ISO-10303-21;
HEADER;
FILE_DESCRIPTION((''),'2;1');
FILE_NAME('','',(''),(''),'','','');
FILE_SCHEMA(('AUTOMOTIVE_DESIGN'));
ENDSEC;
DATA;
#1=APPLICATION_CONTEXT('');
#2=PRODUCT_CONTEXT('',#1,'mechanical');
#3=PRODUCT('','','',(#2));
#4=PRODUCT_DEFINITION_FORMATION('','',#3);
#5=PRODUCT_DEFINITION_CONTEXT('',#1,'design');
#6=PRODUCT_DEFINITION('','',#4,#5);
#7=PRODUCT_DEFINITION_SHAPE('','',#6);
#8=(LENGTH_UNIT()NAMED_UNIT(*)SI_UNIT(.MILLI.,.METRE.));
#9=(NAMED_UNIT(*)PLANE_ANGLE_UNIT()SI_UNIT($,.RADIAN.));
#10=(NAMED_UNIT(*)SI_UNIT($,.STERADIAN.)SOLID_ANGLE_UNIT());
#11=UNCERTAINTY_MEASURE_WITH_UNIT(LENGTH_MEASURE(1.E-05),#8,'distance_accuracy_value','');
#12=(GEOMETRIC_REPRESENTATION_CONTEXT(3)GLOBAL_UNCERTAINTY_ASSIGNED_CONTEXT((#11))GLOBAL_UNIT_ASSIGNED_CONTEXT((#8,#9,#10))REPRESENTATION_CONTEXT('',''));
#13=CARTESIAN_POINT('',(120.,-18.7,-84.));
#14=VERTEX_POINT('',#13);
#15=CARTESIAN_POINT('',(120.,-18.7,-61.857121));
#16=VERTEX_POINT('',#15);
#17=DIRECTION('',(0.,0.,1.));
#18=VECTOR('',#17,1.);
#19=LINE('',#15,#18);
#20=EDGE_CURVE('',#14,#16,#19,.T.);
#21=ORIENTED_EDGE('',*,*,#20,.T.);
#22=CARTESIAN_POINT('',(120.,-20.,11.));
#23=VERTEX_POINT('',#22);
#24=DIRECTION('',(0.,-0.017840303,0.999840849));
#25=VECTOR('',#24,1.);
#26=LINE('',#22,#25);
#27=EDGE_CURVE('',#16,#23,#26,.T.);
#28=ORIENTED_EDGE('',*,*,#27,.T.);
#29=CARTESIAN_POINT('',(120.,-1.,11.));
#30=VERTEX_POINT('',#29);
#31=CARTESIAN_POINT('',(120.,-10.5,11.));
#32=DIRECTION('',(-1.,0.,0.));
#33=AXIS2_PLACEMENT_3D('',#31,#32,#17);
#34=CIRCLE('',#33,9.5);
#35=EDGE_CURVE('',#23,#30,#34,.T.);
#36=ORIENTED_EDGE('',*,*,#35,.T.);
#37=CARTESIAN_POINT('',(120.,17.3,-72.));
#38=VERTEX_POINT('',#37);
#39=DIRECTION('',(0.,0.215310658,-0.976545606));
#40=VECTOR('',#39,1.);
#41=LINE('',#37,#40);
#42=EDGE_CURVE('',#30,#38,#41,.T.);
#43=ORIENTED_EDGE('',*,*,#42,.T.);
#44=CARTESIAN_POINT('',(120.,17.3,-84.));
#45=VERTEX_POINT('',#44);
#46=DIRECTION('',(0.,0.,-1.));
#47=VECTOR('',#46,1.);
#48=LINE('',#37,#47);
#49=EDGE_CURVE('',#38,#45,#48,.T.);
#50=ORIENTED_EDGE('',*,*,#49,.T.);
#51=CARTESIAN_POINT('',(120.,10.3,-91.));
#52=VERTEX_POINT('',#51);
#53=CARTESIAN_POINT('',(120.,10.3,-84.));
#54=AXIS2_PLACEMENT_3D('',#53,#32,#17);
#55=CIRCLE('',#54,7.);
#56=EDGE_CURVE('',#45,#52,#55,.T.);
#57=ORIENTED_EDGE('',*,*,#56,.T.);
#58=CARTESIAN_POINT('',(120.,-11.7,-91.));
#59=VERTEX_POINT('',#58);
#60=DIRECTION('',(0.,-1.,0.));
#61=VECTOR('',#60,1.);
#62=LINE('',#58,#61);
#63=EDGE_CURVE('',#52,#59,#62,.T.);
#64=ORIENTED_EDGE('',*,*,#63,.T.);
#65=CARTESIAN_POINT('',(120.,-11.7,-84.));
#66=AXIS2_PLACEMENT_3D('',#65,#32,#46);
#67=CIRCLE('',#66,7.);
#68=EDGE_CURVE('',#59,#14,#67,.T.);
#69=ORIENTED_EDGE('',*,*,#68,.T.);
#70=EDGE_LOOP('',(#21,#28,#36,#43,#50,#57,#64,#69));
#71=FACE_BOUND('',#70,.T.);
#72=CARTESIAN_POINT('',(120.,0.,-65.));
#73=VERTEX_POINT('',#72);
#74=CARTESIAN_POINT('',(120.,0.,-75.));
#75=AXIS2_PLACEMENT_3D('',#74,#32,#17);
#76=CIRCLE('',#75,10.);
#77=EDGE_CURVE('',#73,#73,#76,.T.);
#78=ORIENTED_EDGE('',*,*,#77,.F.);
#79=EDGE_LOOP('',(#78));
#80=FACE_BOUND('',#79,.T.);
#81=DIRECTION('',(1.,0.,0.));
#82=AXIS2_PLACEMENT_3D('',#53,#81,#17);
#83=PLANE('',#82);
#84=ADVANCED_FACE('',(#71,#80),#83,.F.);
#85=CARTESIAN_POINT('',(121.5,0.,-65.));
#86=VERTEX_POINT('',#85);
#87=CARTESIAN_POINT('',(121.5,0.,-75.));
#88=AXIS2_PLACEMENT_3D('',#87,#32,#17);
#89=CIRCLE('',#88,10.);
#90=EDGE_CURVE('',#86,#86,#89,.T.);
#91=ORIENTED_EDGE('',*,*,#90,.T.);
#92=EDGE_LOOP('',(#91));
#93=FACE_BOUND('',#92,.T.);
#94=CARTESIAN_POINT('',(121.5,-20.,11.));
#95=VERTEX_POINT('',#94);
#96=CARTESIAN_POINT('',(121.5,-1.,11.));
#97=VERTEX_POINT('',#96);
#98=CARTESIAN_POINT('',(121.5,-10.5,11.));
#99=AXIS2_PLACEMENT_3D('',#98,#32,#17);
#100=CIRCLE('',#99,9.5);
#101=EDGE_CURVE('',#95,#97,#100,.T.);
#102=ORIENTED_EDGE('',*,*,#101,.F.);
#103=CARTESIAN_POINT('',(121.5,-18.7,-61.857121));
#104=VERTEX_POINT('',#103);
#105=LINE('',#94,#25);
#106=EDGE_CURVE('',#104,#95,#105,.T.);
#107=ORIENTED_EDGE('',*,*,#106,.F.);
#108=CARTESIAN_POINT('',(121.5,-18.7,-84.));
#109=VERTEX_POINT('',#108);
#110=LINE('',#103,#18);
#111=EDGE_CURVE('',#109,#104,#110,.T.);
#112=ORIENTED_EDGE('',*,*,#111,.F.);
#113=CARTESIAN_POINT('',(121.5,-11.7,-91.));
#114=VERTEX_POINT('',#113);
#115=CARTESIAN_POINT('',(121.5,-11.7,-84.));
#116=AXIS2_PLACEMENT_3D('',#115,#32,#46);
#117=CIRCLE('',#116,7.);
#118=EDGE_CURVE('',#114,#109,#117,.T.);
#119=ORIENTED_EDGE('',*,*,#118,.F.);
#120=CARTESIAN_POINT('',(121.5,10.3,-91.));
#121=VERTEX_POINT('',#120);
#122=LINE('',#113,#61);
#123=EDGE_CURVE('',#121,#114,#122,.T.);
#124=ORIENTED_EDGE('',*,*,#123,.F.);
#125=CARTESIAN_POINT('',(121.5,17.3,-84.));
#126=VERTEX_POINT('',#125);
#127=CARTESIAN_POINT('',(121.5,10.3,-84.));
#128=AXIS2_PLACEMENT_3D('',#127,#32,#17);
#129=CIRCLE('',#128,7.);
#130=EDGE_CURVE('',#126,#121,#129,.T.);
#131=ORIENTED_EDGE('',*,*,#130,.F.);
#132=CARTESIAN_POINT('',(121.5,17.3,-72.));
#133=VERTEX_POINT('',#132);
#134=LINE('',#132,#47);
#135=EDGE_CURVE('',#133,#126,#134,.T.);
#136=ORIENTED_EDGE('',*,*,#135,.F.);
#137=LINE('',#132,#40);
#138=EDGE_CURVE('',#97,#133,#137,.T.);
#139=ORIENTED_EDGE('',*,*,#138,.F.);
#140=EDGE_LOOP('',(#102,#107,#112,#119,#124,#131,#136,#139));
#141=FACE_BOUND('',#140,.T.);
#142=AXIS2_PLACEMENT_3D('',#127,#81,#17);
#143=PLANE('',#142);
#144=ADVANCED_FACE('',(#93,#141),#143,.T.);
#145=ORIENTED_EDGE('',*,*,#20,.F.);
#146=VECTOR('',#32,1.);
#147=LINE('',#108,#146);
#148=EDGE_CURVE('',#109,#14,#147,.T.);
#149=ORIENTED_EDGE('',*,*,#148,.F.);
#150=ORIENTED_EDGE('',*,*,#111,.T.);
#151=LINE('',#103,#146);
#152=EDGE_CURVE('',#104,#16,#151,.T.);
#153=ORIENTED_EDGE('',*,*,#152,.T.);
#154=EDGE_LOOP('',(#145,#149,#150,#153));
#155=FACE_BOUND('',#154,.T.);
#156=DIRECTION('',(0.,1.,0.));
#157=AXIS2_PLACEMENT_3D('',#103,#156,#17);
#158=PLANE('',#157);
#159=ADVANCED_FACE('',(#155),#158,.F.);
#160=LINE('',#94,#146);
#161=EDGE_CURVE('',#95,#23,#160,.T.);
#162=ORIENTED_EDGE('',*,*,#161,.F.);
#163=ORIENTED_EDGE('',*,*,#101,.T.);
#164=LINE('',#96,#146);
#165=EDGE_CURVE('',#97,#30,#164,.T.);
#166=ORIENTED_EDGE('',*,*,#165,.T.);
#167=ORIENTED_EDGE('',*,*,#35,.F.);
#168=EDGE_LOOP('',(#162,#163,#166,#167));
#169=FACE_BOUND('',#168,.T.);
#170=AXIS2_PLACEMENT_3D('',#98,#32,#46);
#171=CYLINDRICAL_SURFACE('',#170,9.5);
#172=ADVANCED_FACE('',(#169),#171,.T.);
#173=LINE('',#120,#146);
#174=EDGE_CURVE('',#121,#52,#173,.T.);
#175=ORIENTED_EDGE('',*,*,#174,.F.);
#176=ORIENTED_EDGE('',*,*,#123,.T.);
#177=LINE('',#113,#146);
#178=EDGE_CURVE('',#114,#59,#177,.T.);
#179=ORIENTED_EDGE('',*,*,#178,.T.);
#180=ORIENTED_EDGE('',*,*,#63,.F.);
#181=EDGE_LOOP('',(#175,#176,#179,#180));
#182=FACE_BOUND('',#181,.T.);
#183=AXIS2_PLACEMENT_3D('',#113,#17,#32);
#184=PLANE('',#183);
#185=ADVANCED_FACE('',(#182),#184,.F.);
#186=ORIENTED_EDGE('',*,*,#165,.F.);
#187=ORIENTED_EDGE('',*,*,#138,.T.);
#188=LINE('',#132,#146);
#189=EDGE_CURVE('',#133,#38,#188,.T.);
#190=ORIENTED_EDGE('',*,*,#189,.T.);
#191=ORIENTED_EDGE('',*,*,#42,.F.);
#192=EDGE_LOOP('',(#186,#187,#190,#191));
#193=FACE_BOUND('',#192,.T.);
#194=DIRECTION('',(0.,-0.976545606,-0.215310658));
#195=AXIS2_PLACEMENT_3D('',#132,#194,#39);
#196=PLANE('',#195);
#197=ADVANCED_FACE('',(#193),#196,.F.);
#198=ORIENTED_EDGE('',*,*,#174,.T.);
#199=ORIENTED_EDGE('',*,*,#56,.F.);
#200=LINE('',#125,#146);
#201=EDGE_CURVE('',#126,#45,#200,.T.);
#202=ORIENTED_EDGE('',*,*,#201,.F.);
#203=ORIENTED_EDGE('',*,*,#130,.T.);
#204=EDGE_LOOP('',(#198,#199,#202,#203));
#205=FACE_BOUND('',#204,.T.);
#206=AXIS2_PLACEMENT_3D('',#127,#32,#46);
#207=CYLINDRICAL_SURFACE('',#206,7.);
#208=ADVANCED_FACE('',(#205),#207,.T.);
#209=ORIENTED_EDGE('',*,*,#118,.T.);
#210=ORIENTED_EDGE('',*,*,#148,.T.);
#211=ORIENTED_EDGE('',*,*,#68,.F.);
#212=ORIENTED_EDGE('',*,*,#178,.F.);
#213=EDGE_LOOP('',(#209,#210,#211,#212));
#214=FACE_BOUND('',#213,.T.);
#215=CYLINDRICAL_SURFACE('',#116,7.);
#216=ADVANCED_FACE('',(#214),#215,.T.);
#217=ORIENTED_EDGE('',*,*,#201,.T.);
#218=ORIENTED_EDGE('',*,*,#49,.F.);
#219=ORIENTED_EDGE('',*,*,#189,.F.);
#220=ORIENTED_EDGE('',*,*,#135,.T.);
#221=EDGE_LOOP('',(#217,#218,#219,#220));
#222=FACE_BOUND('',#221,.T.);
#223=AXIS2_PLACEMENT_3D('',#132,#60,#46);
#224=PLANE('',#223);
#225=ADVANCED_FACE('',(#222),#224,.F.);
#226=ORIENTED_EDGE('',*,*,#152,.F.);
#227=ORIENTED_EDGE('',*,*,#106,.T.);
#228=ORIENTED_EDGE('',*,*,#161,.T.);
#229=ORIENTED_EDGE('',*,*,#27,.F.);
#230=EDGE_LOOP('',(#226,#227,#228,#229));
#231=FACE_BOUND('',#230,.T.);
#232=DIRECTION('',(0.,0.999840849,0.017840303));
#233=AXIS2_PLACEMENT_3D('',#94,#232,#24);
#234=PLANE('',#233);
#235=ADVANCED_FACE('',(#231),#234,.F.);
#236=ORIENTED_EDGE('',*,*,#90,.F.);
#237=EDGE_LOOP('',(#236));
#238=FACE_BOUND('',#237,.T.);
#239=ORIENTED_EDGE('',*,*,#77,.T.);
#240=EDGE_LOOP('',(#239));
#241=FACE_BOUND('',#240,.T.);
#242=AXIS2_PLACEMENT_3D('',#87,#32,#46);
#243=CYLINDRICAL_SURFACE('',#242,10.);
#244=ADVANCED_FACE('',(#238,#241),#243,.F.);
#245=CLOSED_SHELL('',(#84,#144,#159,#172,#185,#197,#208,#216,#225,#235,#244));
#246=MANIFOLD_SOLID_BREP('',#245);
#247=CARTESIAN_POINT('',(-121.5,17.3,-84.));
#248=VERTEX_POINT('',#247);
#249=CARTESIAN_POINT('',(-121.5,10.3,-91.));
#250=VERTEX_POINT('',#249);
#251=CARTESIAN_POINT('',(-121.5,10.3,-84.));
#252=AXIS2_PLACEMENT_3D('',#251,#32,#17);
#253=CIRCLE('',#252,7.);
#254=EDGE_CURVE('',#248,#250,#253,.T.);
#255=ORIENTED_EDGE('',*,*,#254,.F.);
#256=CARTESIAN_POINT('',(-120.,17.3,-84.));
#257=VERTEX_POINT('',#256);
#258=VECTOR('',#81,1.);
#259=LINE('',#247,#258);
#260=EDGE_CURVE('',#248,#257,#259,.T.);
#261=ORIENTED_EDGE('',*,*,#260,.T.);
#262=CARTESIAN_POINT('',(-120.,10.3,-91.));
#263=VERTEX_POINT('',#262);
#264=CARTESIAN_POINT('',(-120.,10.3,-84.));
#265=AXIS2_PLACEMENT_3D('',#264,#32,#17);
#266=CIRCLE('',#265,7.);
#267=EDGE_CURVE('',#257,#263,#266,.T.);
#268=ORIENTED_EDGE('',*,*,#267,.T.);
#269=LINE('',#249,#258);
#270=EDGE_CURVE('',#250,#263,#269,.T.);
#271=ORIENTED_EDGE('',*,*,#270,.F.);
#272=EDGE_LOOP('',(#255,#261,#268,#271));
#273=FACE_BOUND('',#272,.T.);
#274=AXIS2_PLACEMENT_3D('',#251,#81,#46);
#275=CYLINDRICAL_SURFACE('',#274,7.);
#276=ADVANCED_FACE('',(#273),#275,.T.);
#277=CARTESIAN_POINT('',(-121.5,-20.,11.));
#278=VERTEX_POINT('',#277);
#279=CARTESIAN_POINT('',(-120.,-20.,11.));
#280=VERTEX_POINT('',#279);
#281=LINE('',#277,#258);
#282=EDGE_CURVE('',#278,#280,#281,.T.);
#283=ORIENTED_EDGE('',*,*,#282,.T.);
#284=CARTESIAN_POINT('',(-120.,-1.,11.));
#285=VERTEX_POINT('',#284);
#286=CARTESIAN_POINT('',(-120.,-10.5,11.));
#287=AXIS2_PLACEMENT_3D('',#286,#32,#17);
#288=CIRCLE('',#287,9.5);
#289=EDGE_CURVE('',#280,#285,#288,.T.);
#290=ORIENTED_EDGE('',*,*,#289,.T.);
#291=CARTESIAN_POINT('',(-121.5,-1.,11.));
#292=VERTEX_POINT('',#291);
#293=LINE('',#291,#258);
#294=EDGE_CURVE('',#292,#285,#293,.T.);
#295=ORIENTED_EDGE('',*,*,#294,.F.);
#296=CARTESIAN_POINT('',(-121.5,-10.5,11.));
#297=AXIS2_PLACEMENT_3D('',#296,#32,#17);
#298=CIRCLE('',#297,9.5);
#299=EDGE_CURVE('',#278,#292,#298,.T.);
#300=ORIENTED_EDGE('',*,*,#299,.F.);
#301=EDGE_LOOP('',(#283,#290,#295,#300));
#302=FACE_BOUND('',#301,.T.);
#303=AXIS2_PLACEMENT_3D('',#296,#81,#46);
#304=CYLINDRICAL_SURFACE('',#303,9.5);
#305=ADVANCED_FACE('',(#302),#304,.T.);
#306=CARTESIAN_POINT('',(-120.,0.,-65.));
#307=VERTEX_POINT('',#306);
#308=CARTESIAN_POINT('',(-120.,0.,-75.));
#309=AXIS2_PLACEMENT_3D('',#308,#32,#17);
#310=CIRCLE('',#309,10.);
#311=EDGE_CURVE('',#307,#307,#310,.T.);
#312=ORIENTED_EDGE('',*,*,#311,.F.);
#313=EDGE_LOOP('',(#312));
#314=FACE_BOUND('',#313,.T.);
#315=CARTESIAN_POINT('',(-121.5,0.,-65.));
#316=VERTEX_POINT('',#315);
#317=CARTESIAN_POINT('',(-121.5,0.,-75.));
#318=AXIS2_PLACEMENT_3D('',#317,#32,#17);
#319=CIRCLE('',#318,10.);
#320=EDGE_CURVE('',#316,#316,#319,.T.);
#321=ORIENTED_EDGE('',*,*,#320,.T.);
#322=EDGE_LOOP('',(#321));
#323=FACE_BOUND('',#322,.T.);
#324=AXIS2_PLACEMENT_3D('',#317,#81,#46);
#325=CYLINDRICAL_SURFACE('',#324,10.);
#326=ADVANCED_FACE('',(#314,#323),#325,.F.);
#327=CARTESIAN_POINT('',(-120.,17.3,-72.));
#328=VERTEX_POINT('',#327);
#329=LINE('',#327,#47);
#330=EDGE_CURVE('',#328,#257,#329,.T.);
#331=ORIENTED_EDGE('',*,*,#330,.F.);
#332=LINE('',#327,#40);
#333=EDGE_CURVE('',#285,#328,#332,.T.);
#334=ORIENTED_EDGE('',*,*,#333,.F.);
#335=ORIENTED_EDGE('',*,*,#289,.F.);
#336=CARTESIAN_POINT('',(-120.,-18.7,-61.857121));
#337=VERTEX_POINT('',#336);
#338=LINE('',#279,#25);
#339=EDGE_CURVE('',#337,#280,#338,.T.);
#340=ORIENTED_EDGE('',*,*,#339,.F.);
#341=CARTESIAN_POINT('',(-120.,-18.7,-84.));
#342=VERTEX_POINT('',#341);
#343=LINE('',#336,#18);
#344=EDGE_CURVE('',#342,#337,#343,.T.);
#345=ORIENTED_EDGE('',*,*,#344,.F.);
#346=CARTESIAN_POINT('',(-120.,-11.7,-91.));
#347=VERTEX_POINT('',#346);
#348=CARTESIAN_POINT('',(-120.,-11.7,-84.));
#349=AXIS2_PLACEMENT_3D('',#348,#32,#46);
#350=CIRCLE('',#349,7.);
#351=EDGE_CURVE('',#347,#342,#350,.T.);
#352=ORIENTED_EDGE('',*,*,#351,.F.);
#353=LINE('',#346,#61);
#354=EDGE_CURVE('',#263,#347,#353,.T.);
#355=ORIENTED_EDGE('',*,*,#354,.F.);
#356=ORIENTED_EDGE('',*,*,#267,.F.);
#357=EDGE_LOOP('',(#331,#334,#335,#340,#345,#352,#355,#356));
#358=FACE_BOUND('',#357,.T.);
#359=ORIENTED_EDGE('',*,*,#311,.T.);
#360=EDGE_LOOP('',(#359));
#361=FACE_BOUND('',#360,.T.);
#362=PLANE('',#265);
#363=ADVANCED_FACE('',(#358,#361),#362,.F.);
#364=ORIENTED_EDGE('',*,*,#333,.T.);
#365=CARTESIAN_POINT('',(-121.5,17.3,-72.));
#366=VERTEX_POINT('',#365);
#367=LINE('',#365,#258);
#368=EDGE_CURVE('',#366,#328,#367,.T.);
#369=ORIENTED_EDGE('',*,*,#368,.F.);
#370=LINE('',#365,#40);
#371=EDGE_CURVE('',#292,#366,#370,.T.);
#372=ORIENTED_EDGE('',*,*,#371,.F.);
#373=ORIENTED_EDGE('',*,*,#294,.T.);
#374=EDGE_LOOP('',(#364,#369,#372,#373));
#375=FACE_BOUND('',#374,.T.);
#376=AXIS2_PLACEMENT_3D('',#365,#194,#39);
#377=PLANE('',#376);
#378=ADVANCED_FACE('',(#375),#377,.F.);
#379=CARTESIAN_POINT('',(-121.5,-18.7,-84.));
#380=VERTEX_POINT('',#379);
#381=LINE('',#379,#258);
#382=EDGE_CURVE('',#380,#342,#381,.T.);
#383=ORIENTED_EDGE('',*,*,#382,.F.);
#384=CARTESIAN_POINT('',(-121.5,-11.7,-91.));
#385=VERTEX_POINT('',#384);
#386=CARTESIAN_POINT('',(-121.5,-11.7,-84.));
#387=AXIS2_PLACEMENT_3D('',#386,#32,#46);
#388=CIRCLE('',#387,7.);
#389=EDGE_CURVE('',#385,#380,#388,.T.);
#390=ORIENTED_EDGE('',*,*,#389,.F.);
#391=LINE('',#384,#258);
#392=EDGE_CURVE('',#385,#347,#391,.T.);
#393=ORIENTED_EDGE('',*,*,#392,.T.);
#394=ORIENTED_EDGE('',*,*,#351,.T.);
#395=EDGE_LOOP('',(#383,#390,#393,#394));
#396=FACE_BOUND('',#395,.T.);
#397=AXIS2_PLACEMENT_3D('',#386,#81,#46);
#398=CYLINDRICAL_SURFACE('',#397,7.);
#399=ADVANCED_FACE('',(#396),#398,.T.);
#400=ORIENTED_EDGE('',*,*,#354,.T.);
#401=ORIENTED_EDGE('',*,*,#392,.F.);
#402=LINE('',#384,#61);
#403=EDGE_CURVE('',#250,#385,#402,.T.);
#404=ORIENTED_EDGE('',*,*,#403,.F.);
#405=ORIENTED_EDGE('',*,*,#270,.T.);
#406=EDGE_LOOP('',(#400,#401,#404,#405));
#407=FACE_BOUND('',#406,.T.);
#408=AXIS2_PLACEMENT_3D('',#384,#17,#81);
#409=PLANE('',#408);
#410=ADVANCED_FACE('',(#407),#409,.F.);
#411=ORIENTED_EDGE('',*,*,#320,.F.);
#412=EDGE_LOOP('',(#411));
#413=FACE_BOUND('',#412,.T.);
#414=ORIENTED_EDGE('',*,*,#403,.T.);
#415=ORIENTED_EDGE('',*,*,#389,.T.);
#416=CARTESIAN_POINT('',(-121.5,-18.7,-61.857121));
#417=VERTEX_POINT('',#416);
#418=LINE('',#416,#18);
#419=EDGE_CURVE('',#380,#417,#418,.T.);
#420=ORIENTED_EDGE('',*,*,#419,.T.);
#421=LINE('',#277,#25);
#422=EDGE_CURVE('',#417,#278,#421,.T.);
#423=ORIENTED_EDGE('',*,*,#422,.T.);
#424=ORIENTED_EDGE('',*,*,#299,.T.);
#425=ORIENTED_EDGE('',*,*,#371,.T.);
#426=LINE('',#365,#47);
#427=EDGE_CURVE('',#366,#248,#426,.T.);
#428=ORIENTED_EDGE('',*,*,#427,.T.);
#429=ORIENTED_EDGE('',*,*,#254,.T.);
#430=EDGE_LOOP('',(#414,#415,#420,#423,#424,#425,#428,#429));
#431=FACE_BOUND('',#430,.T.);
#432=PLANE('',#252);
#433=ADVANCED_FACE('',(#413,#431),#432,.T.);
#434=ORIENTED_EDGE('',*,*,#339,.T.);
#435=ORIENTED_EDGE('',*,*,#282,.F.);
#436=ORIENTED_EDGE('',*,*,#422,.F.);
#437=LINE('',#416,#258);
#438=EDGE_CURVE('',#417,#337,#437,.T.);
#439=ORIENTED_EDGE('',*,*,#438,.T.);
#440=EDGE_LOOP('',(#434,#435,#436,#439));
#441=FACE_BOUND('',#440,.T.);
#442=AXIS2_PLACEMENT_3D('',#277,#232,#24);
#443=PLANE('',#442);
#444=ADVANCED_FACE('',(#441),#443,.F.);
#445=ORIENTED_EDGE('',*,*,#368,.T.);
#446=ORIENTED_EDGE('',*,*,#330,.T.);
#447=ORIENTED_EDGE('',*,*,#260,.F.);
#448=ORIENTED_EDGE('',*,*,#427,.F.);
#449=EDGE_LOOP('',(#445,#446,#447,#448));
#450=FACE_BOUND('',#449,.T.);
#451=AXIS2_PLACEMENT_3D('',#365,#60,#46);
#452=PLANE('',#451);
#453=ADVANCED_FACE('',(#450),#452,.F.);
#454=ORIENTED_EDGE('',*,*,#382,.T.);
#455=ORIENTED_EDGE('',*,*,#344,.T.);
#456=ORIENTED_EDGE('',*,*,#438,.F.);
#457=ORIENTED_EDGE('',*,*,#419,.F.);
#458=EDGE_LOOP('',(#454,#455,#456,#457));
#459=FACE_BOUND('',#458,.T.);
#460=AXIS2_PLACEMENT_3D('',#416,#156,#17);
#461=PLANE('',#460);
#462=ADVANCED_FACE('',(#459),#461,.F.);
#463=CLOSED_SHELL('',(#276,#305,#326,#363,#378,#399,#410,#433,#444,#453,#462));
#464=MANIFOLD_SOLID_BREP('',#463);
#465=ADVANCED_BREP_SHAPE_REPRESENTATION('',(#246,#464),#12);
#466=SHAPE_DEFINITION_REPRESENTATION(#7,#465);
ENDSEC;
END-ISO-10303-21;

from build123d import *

# Parameters (mm, degrees)
SKETCH1_R           = 10
BOSS_EXTRUDE1_DEPTH = 1.5


with BuildPart() as part:
    # Sketch1 → Boss-Extrude1 (new body)
    with BuildSketch(Plane.ZY.offset(120)):
        with BuildLine():
            Line((11, -20), (-61.85712101, -18.7))
            Line((-61.85712101, -18.7), (-84, -18.7))
            ThreePointArc((-84, -18.7), (-88.949747468, -16.649747468), (-91, -11.7))
            Line((-91, -11.7), (-91, 10.3))
            ThreePointArc((-91, 10.3), (-88.949747468, 15.249747468), (-84, 17.3))
            Line((-84, 17.3), (-72, 17.3))
            Line((-72, 17.3), (11, -1))
            ThreePointArc((11, -1), (20.5, -10.5), (11, -20))
        make_face()
        with Locations((-75, 0)):
            Circle(SKETCH1_R, mode=Mode.SUBTRACT)
    extrude(amount=BOSS_EXTRUDE1_DEPTH)


with BuildPart() as body_2:
    # Mirror2: mirrored copy
    add(part.part.mirror(Plane(origin=(0, 0, 0), x_dir=(0, 0, 1), z_dir=(1, 0, 0))))


solid = Compound([part.part, body_2.part])
